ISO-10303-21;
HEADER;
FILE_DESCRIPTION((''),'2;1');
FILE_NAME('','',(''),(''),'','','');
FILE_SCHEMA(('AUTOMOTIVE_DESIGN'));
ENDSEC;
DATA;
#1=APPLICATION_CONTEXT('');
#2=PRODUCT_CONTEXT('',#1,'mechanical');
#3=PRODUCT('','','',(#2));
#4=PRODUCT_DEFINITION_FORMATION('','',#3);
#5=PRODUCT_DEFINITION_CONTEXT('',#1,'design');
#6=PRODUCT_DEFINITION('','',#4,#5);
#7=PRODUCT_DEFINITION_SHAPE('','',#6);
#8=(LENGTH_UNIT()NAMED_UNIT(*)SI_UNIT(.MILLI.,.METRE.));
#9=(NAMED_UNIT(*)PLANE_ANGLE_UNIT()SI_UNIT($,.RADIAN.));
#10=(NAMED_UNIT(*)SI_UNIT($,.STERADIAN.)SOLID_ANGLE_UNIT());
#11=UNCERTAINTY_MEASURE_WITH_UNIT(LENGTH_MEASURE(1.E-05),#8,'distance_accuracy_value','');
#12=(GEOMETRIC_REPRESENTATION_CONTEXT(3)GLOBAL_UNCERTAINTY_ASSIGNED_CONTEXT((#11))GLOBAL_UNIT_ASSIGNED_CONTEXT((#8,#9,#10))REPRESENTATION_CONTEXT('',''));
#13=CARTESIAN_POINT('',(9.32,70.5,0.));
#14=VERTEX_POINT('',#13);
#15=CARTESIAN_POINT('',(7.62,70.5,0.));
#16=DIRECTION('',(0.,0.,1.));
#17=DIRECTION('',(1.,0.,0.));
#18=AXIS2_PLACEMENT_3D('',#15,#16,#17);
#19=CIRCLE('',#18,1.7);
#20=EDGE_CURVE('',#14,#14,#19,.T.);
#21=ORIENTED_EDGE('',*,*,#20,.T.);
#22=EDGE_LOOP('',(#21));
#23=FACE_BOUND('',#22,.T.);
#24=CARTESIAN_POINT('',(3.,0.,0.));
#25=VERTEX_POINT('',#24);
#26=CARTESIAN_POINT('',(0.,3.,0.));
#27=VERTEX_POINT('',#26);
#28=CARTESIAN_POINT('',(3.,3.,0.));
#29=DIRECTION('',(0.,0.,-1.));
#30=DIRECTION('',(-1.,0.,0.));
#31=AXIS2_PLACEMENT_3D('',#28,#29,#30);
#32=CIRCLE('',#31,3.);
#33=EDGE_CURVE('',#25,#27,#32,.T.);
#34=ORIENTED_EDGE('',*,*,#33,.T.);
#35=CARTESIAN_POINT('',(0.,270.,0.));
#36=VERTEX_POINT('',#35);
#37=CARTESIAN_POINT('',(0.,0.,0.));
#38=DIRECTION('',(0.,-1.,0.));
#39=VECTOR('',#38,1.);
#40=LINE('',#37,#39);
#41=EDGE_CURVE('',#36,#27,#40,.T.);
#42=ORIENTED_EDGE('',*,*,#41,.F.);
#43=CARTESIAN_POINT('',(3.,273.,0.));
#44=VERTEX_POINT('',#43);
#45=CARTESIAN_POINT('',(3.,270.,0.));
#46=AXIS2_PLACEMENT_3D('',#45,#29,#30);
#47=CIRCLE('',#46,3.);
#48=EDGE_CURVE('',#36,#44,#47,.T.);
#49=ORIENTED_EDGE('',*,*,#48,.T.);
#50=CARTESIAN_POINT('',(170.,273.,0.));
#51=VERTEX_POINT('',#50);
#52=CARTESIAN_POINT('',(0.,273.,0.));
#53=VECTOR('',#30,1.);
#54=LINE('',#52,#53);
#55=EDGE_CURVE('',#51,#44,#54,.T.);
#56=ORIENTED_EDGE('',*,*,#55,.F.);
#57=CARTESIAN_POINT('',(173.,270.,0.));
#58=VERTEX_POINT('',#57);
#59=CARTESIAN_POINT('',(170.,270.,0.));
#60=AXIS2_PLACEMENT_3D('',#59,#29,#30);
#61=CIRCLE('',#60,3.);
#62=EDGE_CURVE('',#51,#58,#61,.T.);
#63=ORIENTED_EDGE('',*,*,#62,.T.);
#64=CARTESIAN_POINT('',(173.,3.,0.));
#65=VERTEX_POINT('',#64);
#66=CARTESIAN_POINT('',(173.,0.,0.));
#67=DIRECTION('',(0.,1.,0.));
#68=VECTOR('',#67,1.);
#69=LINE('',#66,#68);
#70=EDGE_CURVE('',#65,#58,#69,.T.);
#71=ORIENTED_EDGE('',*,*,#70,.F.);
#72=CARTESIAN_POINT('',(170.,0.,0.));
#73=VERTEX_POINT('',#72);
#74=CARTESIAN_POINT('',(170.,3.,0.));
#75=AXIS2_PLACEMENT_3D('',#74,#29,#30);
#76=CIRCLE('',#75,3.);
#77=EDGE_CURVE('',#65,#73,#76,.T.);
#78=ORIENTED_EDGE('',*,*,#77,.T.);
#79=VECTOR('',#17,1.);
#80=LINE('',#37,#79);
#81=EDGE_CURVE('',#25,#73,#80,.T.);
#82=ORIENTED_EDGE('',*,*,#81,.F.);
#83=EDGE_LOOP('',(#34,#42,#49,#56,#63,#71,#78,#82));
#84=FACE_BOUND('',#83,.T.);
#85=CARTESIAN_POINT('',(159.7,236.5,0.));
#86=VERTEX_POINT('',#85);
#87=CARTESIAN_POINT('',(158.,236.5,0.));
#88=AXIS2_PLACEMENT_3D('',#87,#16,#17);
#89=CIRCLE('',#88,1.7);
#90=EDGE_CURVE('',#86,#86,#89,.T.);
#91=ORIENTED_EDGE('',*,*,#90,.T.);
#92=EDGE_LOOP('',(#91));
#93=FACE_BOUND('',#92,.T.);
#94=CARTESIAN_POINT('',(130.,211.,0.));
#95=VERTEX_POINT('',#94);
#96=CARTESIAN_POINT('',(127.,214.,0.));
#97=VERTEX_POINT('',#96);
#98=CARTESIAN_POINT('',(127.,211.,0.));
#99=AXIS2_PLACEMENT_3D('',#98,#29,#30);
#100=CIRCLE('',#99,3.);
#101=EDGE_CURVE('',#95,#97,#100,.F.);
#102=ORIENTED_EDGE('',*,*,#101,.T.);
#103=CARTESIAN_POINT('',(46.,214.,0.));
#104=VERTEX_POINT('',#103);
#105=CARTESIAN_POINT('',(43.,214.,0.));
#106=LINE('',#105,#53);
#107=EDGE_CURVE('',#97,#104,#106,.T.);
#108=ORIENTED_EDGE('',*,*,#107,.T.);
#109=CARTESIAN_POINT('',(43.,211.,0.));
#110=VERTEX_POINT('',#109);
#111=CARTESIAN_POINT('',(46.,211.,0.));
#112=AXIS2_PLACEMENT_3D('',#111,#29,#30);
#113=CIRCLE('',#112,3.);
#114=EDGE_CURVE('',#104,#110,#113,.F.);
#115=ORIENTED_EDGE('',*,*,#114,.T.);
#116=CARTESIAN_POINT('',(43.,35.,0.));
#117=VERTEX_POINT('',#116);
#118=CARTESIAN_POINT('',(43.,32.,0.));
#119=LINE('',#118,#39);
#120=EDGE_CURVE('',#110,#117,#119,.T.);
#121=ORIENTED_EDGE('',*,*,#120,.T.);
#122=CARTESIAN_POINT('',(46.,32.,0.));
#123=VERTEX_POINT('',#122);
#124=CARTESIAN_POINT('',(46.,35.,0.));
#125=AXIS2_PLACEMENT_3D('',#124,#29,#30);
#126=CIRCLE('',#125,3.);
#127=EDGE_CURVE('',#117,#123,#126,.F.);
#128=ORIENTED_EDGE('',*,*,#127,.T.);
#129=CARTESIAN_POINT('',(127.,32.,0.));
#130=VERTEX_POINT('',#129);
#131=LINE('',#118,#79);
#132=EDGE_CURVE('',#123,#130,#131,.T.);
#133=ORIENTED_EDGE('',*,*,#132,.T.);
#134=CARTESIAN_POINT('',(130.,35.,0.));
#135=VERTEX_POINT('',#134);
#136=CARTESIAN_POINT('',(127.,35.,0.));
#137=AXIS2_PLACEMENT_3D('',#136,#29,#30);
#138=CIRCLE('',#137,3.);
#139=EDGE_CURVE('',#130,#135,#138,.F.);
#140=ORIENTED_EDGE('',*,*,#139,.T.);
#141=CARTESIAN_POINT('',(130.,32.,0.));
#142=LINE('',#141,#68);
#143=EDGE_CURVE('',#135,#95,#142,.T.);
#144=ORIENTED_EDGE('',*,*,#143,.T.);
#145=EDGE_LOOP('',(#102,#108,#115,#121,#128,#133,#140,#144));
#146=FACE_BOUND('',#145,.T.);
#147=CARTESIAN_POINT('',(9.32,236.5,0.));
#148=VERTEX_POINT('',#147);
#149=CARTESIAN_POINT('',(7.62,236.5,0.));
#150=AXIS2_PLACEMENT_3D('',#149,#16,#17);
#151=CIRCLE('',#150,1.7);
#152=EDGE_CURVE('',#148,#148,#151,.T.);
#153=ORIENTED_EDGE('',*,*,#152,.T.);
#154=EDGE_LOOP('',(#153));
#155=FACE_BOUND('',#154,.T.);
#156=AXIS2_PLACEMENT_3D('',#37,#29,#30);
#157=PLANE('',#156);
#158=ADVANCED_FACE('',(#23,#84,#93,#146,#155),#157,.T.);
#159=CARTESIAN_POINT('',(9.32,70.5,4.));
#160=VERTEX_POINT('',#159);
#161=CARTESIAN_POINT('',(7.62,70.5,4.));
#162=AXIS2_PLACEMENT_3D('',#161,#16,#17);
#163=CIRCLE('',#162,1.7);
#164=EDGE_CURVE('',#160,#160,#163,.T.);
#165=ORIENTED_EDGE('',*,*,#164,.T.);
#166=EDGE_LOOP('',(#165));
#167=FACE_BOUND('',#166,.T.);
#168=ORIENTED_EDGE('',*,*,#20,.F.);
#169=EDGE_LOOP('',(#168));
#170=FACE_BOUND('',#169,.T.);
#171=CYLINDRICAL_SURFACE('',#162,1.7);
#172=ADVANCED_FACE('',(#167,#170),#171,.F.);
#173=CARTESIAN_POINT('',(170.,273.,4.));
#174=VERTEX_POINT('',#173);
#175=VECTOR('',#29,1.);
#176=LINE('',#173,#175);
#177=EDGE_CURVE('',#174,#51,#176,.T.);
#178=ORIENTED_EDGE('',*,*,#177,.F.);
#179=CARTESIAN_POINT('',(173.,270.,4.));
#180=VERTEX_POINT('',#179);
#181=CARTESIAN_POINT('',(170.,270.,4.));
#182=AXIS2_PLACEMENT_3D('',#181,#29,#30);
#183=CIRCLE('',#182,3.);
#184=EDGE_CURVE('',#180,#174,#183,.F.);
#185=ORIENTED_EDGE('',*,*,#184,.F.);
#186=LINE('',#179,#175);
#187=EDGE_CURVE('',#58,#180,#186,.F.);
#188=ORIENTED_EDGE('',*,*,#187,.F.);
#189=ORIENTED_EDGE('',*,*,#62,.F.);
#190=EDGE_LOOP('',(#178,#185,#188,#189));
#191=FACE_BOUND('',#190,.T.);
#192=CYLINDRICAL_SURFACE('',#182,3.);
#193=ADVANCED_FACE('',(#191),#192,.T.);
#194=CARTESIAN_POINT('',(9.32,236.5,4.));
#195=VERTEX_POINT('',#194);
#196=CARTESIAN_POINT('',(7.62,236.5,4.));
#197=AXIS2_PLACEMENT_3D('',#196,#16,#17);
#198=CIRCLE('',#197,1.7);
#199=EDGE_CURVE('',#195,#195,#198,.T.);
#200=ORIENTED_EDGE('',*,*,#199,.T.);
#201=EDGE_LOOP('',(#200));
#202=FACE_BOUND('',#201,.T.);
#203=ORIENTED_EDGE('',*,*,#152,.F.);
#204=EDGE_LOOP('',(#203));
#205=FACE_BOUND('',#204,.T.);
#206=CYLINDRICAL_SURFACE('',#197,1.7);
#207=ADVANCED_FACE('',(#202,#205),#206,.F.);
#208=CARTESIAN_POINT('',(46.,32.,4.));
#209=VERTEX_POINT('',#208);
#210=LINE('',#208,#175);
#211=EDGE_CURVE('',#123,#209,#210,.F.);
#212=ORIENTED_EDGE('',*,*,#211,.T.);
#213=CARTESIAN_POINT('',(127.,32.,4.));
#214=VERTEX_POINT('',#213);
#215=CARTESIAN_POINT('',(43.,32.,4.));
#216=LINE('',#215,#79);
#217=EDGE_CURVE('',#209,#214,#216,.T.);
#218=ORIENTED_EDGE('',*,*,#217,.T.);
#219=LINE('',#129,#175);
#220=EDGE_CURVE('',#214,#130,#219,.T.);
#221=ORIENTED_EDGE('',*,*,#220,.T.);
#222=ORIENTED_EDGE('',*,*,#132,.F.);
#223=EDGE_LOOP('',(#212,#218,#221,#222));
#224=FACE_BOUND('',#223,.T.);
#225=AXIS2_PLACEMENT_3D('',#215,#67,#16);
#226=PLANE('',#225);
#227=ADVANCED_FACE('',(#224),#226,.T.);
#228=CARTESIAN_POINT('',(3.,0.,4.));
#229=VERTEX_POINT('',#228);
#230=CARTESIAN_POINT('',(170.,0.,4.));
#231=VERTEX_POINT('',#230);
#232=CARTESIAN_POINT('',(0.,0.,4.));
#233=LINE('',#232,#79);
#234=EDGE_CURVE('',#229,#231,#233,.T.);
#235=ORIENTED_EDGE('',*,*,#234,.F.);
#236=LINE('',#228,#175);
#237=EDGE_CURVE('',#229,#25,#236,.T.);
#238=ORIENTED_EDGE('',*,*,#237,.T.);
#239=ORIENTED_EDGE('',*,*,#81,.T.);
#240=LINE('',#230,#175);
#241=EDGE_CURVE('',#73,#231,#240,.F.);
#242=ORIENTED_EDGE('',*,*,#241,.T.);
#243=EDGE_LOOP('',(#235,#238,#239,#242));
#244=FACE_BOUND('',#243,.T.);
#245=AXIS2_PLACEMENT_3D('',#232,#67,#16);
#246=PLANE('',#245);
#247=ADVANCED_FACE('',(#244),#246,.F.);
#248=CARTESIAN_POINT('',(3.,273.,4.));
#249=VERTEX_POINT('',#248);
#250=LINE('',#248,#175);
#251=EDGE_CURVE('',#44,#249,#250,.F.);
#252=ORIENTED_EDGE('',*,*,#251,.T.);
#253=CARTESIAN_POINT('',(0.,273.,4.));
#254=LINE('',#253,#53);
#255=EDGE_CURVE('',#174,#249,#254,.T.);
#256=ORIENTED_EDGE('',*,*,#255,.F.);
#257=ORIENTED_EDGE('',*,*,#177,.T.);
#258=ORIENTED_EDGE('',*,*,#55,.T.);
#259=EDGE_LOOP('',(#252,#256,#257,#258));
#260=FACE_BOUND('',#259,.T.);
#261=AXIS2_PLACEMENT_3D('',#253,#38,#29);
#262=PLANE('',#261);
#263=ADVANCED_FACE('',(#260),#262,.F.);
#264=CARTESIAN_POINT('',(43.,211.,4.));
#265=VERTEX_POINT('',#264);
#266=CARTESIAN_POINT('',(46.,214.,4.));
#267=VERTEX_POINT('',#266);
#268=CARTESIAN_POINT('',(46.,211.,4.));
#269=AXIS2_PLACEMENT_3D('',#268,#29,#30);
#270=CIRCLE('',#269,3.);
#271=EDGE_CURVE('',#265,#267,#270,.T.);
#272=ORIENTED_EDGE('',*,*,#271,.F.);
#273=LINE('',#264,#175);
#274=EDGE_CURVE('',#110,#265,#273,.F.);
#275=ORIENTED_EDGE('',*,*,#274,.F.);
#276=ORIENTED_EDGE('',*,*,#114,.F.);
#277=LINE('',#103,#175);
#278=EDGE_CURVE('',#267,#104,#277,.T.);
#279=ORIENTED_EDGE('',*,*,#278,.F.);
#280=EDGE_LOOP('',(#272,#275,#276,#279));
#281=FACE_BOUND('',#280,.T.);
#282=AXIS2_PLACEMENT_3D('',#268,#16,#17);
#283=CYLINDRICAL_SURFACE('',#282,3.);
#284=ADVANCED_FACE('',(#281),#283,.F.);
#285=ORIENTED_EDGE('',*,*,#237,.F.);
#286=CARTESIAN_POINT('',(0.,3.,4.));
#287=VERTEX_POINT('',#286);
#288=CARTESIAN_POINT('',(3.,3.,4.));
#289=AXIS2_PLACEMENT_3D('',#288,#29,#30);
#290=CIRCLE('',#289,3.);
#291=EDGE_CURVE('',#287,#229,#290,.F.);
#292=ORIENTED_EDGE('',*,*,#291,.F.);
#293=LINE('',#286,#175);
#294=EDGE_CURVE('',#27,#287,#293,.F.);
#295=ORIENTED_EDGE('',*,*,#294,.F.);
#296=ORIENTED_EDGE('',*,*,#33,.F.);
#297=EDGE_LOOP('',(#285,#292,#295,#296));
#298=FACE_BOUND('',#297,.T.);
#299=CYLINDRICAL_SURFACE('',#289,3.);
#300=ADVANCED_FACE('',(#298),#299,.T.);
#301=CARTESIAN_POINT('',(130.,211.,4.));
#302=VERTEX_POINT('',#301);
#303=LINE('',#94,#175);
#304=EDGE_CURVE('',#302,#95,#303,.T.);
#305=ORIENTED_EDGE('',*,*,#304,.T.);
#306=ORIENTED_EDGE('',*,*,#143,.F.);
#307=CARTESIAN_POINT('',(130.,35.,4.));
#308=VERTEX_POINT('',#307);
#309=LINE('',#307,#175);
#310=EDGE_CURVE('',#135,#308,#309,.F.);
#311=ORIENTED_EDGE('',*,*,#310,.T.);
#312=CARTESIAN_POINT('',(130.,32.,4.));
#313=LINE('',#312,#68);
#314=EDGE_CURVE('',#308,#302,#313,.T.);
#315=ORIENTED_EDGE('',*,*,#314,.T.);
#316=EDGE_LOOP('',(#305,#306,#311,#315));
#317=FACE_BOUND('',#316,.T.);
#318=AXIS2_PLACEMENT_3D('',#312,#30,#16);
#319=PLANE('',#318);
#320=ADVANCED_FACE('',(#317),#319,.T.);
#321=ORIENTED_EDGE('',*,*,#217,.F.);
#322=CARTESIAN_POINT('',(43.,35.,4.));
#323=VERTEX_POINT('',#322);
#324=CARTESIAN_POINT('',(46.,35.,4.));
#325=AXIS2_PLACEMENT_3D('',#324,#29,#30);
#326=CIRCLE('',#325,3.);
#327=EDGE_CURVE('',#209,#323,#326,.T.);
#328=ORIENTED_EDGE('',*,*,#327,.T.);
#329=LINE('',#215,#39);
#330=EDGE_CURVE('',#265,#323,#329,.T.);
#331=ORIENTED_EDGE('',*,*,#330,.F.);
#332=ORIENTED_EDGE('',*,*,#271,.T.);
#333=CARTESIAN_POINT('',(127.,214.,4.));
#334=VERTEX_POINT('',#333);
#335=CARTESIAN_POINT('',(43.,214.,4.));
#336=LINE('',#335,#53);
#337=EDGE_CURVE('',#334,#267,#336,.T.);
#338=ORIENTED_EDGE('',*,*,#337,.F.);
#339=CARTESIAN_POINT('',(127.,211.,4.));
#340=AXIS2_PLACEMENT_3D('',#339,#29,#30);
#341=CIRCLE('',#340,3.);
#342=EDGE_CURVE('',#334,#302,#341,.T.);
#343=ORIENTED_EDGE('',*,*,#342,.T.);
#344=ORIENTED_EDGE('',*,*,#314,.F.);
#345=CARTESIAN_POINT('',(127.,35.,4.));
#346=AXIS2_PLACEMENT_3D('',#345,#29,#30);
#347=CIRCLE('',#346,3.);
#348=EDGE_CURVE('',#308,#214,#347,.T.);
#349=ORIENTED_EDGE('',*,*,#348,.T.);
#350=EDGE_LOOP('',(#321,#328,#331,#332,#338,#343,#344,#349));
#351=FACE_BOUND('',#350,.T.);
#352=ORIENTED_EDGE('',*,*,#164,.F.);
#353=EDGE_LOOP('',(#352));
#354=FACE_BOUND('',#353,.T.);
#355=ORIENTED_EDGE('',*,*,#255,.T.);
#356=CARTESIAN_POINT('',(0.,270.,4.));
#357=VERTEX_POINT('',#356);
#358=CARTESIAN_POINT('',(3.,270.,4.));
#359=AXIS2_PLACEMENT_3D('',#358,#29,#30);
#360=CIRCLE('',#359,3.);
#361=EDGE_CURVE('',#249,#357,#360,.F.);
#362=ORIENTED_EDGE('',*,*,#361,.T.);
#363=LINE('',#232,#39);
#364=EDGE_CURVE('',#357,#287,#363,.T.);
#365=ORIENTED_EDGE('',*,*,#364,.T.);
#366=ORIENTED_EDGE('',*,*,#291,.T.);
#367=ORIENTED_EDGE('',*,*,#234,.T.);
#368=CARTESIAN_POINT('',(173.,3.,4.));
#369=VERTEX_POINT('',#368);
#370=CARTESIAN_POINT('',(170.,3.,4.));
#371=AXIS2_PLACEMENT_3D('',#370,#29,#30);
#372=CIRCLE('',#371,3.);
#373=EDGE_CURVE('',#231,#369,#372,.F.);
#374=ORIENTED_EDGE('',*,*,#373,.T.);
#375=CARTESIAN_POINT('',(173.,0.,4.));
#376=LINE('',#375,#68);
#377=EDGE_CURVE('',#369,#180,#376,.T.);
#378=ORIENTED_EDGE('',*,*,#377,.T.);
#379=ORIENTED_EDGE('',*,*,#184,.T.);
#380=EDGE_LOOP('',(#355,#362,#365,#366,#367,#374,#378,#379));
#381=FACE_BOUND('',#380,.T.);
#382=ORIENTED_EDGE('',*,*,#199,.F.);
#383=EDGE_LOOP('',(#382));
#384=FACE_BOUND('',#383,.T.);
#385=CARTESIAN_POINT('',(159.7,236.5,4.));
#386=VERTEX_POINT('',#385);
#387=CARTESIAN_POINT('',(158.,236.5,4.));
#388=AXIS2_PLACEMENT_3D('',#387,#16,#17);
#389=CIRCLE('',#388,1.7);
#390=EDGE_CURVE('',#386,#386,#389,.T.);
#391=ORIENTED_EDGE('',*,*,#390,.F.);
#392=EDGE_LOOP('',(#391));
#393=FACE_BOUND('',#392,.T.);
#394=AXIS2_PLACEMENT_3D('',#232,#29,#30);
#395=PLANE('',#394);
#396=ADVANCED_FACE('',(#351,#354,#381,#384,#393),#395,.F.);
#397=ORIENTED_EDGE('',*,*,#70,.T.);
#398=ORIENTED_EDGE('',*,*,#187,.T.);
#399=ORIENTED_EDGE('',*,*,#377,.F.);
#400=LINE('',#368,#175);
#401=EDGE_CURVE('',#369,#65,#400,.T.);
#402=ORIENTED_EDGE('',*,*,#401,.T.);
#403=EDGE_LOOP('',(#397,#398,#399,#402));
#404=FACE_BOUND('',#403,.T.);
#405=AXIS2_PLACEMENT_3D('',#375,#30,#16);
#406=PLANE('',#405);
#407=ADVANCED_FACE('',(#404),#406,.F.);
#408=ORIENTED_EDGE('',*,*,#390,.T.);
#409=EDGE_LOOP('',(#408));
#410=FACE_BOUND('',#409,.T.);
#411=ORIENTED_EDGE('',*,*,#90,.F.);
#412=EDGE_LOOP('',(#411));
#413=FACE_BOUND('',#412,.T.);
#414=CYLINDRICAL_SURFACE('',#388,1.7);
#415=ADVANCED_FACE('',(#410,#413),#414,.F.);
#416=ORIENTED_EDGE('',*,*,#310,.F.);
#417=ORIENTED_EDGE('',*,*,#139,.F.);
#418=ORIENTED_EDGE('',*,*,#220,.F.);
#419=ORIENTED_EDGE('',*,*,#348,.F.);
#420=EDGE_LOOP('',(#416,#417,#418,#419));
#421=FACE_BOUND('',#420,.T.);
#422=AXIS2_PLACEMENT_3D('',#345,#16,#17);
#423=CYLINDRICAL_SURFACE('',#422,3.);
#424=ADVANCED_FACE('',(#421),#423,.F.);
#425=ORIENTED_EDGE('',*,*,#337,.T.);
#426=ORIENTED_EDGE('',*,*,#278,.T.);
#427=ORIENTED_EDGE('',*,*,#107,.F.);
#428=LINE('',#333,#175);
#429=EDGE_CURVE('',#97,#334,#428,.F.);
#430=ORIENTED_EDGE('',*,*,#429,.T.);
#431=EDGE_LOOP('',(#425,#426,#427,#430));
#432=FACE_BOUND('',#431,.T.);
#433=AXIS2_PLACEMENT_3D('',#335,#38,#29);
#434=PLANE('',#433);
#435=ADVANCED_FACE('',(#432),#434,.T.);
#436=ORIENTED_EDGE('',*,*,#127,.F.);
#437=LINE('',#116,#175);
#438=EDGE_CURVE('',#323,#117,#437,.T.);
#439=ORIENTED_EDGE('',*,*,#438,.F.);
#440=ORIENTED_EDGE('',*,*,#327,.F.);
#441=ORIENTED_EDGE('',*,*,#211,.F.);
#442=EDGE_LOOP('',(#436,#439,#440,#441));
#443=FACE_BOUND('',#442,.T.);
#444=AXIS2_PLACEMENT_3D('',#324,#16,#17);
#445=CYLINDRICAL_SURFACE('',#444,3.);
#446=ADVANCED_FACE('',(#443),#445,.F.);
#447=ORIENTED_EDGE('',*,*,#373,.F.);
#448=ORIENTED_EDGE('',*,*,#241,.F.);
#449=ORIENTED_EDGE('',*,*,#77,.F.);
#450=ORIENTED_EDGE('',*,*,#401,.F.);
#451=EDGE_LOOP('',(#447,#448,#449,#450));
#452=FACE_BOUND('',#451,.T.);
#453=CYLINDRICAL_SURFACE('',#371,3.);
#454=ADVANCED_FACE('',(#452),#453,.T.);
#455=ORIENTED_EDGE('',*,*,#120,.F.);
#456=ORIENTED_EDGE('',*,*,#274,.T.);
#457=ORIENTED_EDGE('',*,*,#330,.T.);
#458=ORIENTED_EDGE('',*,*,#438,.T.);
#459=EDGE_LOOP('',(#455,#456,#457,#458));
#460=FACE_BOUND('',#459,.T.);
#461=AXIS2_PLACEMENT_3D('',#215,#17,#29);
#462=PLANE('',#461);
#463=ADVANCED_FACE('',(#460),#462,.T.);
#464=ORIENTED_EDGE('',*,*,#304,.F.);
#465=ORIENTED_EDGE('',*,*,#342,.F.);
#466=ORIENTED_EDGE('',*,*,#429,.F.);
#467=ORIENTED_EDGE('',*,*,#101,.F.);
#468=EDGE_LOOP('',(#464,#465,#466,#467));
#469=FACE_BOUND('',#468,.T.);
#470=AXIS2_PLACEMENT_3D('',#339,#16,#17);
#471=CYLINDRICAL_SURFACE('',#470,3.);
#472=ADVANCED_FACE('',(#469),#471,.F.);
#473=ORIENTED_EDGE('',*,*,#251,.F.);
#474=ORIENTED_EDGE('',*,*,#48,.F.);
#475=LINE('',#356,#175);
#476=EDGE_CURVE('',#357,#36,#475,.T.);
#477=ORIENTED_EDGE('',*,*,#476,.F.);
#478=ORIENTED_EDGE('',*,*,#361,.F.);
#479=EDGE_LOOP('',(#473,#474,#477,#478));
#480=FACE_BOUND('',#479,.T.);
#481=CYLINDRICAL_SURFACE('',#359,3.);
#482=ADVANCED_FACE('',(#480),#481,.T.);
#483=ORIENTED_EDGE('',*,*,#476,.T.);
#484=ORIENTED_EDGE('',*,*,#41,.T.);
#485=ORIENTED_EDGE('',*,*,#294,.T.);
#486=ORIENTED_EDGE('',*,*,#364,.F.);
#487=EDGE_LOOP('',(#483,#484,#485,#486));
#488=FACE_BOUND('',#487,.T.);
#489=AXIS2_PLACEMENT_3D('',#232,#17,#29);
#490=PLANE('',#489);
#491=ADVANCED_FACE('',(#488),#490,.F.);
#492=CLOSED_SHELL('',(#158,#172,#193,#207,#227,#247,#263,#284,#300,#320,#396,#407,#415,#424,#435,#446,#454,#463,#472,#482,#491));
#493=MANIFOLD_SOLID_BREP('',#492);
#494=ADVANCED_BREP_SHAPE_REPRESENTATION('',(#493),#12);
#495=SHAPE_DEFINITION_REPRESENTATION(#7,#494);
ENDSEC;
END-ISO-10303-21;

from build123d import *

# Parameters (mm, degrees)
ESQUISSE1_W        = 173
ESQUISSE1_H        = 273
ESQUISSE1_R        = 1.5
ESQUISSE1_W_2      = 87
ESQUISSE1_H_2      = 182
BOSS_EXTRU_1_DEPTH = 4
CONG_1_R           = 3
D_GAGEMENT_M31_D   = 3.4


with BuildPart() as part:
    # Esquisse1 → Boss.-Extru.1 (new body)
    with BuildSketch(Plane.XY):
        with Locations((86.5, 136.5)):
            Rectangle(ESQUISSE1_W, ESQUISSE1_H)
        with Locations((7.62, 236.5)):
            Circle(ESQUISSE1_R, mode=Mode.SUBTRACT)
        with Locations((7.62, 70.5)):
            Circle(ESQUISSE1_R, mode=Mode.SUBTRACT)
        with Locations((158, 236.5)):
            Circle(ESQUISSE1_R, mode=Mode.SUBTRACT)
        with Locations((86.5, 123)):
            Rectangle(ESQUISSE1_W_2, ESQUISSE1_H_2, mode=Mode.SUBTRACT)
    extrude(amount=BOSS_EXTRU_1_DEPTH)

    # Congé1
    cong_1_edges = [part.edges().sort_by_distance(p)[0] for p in [
        (43, 214, 2),
        (43, 32, 2),
        (130, 32, 2),
        (130, 214, 2),
        (0, 273, 2),
        (173, 273, 2),
        (173, 0, 2),
        (0, 0, 2),
    ]]
    fillet(cong_1_edges, radius=CONG_1_R)

    # Dégagement M31 (through all)
    with Locations(Plane.XY.offset(4)):
        with Locations((7.62, 236.5), (7.62, 70.5), (158, 236.5)):
            Hole(D_GAGEMENT_M31_D / 2)


solid = part.part
